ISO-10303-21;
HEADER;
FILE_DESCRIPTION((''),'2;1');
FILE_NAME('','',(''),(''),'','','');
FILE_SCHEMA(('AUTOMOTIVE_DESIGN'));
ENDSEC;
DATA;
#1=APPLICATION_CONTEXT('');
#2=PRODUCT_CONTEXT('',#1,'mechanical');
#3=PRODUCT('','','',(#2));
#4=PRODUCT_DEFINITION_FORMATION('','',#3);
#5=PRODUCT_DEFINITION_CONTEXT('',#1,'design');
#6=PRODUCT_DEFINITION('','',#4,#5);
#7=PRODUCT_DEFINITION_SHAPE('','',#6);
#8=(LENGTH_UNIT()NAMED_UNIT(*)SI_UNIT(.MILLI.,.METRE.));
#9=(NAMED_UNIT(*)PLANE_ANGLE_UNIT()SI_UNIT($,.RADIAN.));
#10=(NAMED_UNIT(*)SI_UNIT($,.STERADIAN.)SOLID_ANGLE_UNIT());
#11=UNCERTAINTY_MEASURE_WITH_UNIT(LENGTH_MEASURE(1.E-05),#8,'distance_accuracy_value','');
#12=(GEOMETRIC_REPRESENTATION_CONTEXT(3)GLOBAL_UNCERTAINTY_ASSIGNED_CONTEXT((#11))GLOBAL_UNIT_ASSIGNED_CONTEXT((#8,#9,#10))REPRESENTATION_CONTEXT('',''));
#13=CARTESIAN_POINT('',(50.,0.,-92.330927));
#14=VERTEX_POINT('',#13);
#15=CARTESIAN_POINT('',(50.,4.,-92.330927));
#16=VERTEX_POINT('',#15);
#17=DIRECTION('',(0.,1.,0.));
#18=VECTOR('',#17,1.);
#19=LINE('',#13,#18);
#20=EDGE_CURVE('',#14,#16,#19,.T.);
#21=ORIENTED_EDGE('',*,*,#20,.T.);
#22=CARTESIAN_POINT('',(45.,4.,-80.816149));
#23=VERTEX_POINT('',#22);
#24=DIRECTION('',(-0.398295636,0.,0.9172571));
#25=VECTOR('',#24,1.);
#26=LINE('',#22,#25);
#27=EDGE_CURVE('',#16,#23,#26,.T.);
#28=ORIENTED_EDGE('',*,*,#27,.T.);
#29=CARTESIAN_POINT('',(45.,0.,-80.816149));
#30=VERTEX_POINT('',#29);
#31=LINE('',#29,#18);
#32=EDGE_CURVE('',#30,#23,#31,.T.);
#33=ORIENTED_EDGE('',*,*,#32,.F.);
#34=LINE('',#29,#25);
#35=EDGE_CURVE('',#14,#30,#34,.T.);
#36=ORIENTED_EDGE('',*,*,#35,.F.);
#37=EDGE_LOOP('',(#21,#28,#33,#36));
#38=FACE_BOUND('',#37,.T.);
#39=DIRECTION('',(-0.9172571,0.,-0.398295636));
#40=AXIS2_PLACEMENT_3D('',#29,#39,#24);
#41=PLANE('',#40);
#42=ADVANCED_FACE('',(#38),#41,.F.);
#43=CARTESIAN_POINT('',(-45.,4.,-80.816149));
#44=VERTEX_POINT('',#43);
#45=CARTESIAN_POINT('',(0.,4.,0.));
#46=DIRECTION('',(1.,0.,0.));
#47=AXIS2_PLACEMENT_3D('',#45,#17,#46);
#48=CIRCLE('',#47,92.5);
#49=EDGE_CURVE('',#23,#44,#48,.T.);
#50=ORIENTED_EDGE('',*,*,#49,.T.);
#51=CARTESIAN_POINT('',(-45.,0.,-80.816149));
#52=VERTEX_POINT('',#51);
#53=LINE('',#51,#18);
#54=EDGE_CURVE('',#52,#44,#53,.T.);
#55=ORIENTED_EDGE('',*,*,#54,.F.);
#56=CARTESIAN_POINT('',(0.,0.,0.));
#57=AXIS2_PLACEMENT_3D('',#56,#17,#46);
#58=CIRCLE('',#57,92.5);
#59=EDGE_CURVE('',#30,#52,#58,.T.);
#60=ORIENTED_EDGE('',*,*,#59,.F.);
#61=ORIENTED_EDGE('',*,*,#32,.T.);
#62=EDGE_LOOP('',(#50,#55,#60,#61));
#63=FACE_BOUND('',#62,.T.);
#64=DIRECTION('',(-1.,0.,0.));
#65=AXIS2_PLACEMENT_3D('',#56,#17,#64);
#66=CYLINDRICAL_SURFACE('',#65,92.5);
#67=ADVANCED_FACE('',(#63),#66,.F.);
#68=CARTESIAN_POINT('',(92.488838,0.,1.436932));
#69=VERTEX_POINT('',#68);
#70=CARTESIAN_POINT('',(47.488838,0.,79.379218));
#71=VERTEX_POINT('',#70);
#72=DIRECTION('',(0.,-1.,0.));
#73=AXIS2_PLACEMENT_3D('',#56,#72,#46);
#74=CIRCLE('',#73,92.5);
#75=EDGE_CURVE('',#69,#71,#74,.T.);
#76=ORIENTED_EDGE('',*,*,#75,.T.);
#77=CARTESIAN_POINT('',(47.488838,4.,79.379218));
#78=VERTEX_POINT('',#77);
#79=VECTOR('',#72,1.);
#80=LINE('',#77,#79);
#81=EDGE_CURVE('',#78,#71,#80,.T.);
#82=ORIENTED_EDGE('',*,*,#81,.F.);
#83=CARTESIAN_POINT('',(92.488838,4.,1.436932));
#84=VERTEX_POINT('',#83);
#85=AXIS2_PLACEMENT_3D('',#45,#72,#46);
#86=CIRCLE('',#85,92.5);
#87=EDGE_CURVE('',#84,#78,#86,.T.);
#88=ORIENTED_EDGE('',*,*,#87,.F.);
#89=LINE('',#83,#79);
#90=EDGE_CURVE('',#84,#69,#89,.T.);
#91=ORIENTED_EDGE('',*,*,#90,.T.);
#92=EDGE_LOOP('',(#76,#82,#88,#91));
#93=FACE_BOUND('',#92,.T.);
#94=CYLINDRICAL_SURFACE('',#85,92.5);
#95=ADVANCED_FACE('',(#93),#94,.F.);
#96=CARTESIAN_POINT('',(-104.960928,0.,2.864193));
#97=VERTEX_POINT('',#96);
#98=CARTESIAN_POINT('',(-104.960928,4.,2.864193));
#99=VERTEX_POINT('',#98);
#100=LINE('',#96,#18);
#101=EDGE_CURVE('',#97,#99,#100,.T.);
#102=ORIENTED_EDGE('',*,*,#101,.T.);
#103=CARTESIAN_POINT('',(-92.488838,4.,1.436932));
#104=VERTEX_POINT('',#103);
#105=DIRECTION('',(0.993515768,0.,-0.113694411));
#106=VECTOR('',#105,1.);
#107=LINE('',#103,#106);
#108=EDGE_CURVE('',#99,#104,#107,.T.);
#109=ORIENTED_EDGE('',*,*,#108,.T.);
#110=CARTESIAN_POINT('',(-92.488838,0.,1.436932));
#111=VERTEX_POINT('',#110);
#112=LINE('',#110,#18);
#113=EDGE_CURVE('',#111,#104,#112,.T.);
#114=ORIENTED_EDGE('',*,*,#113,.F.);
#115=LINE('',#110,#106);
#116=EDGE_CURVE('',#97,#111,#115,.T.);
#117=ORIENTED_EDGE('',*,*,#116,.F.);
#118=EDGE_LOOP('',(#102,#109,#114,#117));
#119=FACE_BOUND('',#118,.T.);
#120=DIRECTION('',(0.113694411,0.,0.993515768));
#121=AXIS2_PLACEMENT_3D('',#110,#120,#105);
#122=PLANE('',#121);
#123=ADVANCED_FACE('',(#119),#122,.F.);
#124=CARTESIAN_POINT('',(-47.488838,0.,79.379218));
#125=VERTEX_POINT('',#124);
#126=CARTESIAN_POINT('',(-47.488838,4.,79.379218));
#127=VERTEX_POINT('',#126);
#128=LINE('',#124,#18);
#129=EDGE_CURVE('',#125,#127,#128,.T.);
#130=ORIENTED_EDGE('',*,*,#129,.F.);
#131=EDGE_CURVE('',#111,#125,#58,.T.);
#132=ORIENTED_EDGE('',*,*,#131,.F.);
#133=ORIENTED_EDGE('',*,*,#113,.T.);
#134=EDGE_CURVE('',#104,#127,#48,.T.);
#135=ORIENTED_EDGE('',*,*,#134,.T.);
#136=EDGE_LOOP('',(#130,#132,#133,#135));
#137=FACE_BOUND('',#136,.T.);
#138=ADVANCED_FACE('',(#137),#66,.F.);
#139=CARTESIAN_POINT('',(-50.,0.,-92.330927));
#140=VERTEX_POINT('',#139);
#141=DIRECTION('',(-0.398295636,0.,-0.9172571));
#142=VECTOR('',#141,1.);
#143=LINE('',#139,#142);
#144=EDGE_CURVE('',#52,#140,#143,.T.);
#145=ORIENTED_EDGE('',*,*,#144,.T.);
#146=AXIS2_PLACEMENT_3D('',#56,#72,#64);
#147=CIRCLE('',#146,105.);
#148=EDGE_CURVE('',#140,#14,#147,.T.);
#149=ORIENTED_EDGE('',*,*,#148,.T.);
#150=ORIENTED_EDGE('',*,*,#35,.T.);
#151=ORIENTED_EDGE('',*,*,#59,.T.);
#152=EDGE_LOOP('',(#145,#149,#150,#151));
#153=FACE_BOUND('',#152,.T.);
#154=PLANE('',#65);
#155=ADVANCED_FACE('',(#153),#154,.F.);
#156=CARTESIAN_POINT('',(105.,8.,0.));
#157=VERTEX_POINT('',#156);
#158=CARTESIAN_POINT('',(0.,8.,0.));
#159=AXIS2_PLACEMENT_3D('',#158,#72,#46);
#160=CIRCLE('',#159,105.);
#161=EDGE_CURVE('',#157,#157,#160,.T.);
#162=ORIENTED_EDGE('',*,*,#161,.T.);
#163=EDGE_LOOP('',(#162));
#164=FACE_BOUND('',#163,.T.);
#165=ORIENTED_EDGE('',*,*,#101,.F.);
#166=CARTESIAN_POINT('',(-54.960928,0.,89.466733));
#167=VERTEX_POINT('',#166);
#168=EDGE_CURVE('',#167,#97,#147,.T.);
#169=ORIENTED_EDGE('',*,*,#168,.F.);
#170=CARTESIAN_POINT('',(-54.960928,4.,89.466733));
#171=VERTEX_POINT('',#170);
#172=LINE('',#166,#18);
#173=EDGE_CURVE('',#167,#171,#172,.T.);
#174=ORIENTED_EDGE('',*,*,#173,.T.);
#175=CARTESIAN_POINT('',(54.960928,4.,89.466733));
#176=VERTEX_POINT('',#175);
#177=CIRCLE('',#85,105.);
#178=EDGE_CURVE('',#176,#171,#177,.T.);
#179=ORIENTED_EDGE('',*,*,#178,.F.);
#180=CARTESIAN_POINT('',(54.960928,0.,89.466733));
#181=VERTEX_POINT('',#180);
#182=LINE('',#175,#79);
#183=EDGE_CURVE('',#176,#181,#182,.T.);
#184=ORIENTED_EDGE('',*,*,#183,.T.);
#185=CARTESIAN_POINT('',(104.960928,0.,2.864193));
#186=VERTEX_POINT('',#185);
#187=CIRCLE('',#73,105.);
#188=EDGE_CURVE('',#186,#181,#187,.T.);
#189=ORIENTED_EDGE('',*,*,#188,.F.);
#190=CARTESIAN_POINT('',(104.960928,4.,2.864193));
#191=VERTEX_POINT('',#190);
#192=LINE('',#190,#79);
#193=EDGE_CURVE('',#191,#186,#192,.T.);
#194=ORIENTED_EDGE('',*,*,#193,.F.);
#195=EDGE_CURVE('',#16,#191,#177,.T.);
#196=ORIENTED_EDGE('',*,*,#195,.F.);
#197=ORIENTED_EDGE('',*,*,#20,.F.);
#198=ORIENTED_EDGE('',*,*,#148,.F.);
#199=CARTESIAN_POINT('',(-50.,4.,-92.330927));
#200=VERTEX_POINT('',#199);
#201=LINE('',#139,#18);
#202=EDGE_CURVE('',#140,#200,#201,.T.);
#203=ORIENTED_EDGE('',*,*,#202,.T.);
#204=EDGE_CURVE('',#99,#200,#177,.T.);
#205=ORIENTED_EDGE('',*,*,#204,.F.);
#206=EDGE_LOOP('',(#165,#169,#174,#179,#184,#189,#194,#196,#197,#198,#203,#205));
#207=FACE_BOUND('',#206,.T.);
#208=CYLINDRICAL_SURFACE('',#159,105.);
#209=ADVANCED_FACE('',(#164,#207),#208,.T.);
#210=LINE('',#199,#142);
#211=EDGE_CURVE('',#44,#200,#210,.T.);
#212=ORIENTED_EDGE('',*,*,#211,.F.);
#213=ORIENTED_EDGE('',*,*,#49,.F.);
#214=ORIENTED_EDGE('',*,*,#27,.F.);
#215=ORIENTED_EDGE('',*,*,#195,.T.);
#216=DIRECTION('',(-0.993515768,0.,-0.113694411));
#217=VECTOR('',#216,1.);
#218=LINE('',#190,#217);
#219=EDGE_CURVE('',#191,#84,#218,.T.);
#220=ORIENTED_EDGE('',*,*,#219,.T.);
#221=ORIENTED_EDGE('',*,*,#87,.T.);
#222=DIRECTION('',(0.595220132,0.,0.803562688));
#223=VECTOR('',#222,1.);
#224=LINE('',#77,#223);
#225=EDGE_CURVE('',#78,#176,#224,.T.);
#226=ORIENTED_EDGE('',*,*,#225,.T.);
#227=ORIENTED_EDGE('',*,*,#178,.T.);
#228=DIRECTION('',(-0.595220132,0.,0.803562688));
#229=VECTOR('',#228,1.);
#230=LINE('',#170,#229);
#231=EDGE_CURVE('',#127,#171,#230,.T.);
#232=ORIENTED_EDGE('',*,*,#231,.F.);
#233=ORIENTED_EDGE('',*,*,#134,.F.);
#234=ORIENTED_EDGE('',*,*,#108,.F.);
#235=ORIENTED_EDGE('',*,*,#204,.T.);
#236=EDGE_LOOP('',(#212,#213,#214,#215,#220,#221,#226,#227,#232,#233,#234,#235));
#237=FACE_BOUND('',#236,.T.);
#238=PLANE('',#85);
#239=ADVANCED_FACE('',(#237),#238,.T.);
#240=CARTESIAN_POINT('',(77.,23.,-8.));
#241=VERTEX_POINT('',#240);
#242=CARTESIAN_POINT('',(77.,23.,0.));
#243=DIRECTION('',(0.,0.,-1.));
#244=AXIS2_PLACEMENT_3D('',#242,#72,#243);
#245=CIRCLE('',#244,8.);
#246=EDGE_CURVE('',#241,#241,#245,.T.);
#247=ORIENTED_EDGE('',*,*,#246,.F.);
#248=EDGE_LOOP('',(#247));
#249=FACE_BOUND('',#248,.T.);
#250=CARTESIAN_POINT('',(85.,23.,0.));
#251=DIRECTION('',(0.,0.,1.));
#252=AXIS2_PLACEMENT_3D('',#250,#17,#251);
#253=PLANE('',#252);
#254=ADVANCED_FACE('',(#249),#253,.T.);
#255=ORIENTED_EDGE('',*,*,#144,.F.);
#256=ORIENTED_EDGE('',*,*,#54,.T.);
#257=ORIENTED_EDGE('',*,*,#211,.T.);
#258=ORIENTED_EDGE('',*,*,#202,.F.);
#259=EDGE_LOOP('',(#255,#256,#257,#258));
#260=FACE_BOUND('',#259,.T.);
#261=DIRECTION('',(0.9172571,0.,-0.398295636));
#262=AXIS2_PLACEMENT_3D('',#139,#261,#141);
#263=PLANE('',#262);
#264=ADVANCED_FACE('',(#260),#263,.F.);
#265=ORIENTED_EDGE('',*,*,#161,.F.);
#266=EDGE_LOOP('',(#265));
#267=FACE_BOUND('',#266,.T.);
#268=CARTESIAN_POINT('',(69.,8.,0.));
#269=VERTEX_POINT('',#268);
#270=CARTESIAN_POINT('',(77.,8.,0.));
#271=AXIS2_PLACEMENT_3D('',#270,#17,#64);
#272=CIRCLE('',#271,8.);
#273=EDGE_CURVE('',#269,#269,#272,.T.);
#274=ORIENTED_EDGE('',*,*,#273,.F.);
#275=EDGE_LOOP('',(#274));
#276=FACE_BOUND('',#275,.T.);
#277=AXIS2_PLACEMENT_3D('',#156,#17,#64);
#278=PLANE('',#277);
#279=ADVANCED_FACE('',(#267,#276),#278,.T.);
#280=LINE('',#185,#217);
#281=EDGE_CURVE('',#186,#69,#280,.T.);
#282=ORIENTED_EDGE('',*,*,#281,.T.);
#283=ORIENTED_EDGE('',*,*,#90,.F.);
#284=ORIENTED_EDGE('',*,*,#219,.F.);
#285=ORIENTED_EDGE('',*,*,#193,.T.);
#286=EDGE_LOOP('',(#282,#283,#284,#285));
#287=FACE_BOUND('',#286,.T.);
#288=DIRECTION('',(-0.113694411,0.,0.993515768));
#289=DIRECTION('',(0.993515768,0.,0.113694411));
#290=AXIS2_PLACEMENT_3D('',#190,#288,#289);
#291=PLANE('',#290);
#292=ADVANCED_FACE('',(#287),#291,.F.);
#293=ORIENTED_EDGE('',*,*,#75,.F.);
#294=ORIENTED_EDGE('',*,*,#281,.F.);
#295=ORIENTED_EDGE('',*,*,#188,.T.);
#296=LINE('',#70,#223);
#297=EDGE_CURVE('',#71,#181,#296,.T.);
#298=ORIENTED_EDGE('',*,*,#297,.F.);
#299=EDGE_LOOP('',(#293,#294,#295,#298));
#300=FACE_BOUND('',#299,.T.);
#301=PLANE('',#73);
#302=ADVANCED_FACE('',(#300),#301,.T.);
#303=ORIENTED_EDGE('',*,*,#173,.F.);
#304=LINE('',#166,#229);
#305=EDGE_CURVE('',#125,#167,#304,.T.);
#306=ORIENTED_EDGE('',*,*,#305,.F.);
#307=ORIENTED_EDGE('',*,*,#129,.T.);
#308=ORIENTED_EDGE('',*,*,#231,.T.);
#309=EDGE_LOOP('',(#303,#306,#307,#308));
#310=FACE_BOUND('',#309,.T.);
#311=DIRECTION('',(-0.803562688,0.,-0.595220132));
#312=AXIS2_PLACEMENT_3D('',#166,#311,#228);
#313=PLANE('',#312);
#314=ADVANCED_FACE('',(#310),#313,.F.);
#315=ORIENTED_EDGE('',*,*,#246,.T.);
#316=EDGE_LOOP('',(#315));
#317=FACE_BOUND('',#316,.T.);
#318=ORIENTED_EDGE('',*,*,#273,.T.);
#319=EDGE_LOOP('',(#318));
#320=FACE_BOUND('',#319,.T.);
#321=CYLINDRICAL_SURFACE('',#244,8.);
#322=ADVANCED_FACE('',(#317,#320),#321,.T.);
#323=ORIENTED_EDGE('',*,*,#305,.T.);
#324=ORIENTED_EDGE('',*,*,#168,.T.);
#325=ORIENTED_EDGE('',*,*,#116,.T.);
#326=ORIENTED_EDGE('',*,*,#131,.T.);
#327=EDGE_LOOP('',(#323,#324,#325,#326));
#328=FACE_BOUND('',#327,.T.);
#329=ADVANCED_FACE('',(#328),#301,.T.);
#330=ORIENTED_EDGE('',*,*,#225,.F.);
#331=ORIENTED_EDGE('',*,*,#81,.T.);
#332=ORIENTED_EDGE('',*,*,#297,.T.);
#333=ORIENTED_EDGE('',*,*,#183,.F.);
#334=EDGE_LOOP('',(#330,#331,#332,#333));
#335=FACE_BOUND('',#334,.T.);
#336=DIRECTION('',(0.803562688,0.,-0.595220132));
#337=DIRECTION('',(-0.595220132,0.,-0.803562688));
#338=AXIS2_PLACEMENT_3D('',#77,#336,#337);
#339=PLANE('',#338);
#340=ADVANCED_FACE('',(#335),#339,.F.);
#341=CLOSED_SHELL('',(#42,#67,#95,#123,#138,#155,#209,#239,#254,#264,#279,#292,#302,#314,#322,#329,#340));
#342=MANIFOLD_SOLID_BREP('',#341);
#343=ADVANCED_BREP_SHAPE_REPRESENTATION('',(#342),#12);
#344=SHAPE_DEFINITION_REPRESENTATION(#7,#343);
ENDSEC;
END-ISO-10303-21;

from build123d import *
from build123d.topology import SkipClean

# Parameters (mm, degrees)
SKETCH1_W           = 105
SKETCH1_H           = 8
CUT_EXTRUDE1_START  = -4
CUT_EXTRUDE1_DEPTH  = 4
BOSS_EXTRUDE1_DEPTH = 4
BOSS_EXTRUDE2_DEPTH = 4
SKETCH5_W           = 8
SKETCH5_H           = 15


with BuildPart() as part:
    # Sketch1 → Revolve1 (revolve)
    with BuildSketch(Plane.XY):
        with Locations((52.5, 4)):
            Rectangle(SKETCH1_W, SKETCH1_H)
    revolve(axis=Axis((0, 8, 0), (0, -1, 0)))

    # Sketch2 → Cut-Extrude1 (cut)
    with BuildSketch(Plane.XZ.offset(CUT_EXTRUDE1_START)):
        with BuildLine():
            Line((47.488838396, 79.379217858), (54.960927959, 89.466733471))
            ThreePointArc((54.960927959, 89.466733471), (-90.932667397, -52.5), (104.960927959, 2.864193092))
            Line((104.960927959, 2.864193092), (92.488838396, 1.436931518))
            ThreePointArc((92.488838396, 1.436931518), (80.10734985, 46.25), (47.488838396, 79.379217858))
        make_face()
    extrude(amount=CUT_EXTRUDE1_DEPTH, mode=Mode.SUBTRACT)

    # Sketch3 → Boss-Extrude1 (add)
    with SkipClean():  # the faces are left unmerged after this step: merging them gives an invalid solid
        with BuildSketch(Plane.XZ.offset(-4)):
            with BuildLine():
                Line((-92.488838396, 1.436931518), (-104.960927959, 2.864193092))
                ThreePointArc((-104.960927959, 2.864193092), (-90.932667397, 52.5), (-54.960927959, 89.466733471))
                Line((-54.960927959, 89.466733471), (-47.488838396, 79.379217858))
                ThreePointArc((-47.488838396, 79.379217858), (-80.10734985, 46.25), (-92.488838396, 1.436931518))
            make_face()
        extrude(amount=BOSS_EXTRUDE1_DEPTH)

    # Sketch4 → Boss-Extrude2 (add)
    with SkipClean():  # the faces are left unmerged after this step: merging them gives an invalid solid
        with BuildSketch(Plane.XZ.offset(-4)):
            with BuildLine():
                Line((-50, -92.330926563), (-45, -80.816149376))
                ThreePointArc((-45, -80.816149376), (0, -92.5), (45, -80.816149376))
                Line((45, -80.816149376), (50, -92.330926563))
                ThreePointArc((50, -92.330926563), (0, -105), (-50, -92.330926563))
            make_face()
        extrude(amount=BOSS_EXTRUDE2_DEPTH)

    # Sketch5 → Revolve2 (revolve)
    with SkipClean():  # the faces are left unmerged after this step: merging them gives an invalid solid
        with BuildSketch(Plane.XY, mode=Mode.PRIVATE) as revolve2_sk:
            with Locations((81, 15.5)):
                Rectangle(SKETCH5_W, SKETCH5_H)
        revolve(revolve2_sk.sketch.rotate(Axis((77, 23, 0), (0, -1, 0)), 270), axis=Axis((77, 23, 0), (0, -1, 0)))


solid = part.part
